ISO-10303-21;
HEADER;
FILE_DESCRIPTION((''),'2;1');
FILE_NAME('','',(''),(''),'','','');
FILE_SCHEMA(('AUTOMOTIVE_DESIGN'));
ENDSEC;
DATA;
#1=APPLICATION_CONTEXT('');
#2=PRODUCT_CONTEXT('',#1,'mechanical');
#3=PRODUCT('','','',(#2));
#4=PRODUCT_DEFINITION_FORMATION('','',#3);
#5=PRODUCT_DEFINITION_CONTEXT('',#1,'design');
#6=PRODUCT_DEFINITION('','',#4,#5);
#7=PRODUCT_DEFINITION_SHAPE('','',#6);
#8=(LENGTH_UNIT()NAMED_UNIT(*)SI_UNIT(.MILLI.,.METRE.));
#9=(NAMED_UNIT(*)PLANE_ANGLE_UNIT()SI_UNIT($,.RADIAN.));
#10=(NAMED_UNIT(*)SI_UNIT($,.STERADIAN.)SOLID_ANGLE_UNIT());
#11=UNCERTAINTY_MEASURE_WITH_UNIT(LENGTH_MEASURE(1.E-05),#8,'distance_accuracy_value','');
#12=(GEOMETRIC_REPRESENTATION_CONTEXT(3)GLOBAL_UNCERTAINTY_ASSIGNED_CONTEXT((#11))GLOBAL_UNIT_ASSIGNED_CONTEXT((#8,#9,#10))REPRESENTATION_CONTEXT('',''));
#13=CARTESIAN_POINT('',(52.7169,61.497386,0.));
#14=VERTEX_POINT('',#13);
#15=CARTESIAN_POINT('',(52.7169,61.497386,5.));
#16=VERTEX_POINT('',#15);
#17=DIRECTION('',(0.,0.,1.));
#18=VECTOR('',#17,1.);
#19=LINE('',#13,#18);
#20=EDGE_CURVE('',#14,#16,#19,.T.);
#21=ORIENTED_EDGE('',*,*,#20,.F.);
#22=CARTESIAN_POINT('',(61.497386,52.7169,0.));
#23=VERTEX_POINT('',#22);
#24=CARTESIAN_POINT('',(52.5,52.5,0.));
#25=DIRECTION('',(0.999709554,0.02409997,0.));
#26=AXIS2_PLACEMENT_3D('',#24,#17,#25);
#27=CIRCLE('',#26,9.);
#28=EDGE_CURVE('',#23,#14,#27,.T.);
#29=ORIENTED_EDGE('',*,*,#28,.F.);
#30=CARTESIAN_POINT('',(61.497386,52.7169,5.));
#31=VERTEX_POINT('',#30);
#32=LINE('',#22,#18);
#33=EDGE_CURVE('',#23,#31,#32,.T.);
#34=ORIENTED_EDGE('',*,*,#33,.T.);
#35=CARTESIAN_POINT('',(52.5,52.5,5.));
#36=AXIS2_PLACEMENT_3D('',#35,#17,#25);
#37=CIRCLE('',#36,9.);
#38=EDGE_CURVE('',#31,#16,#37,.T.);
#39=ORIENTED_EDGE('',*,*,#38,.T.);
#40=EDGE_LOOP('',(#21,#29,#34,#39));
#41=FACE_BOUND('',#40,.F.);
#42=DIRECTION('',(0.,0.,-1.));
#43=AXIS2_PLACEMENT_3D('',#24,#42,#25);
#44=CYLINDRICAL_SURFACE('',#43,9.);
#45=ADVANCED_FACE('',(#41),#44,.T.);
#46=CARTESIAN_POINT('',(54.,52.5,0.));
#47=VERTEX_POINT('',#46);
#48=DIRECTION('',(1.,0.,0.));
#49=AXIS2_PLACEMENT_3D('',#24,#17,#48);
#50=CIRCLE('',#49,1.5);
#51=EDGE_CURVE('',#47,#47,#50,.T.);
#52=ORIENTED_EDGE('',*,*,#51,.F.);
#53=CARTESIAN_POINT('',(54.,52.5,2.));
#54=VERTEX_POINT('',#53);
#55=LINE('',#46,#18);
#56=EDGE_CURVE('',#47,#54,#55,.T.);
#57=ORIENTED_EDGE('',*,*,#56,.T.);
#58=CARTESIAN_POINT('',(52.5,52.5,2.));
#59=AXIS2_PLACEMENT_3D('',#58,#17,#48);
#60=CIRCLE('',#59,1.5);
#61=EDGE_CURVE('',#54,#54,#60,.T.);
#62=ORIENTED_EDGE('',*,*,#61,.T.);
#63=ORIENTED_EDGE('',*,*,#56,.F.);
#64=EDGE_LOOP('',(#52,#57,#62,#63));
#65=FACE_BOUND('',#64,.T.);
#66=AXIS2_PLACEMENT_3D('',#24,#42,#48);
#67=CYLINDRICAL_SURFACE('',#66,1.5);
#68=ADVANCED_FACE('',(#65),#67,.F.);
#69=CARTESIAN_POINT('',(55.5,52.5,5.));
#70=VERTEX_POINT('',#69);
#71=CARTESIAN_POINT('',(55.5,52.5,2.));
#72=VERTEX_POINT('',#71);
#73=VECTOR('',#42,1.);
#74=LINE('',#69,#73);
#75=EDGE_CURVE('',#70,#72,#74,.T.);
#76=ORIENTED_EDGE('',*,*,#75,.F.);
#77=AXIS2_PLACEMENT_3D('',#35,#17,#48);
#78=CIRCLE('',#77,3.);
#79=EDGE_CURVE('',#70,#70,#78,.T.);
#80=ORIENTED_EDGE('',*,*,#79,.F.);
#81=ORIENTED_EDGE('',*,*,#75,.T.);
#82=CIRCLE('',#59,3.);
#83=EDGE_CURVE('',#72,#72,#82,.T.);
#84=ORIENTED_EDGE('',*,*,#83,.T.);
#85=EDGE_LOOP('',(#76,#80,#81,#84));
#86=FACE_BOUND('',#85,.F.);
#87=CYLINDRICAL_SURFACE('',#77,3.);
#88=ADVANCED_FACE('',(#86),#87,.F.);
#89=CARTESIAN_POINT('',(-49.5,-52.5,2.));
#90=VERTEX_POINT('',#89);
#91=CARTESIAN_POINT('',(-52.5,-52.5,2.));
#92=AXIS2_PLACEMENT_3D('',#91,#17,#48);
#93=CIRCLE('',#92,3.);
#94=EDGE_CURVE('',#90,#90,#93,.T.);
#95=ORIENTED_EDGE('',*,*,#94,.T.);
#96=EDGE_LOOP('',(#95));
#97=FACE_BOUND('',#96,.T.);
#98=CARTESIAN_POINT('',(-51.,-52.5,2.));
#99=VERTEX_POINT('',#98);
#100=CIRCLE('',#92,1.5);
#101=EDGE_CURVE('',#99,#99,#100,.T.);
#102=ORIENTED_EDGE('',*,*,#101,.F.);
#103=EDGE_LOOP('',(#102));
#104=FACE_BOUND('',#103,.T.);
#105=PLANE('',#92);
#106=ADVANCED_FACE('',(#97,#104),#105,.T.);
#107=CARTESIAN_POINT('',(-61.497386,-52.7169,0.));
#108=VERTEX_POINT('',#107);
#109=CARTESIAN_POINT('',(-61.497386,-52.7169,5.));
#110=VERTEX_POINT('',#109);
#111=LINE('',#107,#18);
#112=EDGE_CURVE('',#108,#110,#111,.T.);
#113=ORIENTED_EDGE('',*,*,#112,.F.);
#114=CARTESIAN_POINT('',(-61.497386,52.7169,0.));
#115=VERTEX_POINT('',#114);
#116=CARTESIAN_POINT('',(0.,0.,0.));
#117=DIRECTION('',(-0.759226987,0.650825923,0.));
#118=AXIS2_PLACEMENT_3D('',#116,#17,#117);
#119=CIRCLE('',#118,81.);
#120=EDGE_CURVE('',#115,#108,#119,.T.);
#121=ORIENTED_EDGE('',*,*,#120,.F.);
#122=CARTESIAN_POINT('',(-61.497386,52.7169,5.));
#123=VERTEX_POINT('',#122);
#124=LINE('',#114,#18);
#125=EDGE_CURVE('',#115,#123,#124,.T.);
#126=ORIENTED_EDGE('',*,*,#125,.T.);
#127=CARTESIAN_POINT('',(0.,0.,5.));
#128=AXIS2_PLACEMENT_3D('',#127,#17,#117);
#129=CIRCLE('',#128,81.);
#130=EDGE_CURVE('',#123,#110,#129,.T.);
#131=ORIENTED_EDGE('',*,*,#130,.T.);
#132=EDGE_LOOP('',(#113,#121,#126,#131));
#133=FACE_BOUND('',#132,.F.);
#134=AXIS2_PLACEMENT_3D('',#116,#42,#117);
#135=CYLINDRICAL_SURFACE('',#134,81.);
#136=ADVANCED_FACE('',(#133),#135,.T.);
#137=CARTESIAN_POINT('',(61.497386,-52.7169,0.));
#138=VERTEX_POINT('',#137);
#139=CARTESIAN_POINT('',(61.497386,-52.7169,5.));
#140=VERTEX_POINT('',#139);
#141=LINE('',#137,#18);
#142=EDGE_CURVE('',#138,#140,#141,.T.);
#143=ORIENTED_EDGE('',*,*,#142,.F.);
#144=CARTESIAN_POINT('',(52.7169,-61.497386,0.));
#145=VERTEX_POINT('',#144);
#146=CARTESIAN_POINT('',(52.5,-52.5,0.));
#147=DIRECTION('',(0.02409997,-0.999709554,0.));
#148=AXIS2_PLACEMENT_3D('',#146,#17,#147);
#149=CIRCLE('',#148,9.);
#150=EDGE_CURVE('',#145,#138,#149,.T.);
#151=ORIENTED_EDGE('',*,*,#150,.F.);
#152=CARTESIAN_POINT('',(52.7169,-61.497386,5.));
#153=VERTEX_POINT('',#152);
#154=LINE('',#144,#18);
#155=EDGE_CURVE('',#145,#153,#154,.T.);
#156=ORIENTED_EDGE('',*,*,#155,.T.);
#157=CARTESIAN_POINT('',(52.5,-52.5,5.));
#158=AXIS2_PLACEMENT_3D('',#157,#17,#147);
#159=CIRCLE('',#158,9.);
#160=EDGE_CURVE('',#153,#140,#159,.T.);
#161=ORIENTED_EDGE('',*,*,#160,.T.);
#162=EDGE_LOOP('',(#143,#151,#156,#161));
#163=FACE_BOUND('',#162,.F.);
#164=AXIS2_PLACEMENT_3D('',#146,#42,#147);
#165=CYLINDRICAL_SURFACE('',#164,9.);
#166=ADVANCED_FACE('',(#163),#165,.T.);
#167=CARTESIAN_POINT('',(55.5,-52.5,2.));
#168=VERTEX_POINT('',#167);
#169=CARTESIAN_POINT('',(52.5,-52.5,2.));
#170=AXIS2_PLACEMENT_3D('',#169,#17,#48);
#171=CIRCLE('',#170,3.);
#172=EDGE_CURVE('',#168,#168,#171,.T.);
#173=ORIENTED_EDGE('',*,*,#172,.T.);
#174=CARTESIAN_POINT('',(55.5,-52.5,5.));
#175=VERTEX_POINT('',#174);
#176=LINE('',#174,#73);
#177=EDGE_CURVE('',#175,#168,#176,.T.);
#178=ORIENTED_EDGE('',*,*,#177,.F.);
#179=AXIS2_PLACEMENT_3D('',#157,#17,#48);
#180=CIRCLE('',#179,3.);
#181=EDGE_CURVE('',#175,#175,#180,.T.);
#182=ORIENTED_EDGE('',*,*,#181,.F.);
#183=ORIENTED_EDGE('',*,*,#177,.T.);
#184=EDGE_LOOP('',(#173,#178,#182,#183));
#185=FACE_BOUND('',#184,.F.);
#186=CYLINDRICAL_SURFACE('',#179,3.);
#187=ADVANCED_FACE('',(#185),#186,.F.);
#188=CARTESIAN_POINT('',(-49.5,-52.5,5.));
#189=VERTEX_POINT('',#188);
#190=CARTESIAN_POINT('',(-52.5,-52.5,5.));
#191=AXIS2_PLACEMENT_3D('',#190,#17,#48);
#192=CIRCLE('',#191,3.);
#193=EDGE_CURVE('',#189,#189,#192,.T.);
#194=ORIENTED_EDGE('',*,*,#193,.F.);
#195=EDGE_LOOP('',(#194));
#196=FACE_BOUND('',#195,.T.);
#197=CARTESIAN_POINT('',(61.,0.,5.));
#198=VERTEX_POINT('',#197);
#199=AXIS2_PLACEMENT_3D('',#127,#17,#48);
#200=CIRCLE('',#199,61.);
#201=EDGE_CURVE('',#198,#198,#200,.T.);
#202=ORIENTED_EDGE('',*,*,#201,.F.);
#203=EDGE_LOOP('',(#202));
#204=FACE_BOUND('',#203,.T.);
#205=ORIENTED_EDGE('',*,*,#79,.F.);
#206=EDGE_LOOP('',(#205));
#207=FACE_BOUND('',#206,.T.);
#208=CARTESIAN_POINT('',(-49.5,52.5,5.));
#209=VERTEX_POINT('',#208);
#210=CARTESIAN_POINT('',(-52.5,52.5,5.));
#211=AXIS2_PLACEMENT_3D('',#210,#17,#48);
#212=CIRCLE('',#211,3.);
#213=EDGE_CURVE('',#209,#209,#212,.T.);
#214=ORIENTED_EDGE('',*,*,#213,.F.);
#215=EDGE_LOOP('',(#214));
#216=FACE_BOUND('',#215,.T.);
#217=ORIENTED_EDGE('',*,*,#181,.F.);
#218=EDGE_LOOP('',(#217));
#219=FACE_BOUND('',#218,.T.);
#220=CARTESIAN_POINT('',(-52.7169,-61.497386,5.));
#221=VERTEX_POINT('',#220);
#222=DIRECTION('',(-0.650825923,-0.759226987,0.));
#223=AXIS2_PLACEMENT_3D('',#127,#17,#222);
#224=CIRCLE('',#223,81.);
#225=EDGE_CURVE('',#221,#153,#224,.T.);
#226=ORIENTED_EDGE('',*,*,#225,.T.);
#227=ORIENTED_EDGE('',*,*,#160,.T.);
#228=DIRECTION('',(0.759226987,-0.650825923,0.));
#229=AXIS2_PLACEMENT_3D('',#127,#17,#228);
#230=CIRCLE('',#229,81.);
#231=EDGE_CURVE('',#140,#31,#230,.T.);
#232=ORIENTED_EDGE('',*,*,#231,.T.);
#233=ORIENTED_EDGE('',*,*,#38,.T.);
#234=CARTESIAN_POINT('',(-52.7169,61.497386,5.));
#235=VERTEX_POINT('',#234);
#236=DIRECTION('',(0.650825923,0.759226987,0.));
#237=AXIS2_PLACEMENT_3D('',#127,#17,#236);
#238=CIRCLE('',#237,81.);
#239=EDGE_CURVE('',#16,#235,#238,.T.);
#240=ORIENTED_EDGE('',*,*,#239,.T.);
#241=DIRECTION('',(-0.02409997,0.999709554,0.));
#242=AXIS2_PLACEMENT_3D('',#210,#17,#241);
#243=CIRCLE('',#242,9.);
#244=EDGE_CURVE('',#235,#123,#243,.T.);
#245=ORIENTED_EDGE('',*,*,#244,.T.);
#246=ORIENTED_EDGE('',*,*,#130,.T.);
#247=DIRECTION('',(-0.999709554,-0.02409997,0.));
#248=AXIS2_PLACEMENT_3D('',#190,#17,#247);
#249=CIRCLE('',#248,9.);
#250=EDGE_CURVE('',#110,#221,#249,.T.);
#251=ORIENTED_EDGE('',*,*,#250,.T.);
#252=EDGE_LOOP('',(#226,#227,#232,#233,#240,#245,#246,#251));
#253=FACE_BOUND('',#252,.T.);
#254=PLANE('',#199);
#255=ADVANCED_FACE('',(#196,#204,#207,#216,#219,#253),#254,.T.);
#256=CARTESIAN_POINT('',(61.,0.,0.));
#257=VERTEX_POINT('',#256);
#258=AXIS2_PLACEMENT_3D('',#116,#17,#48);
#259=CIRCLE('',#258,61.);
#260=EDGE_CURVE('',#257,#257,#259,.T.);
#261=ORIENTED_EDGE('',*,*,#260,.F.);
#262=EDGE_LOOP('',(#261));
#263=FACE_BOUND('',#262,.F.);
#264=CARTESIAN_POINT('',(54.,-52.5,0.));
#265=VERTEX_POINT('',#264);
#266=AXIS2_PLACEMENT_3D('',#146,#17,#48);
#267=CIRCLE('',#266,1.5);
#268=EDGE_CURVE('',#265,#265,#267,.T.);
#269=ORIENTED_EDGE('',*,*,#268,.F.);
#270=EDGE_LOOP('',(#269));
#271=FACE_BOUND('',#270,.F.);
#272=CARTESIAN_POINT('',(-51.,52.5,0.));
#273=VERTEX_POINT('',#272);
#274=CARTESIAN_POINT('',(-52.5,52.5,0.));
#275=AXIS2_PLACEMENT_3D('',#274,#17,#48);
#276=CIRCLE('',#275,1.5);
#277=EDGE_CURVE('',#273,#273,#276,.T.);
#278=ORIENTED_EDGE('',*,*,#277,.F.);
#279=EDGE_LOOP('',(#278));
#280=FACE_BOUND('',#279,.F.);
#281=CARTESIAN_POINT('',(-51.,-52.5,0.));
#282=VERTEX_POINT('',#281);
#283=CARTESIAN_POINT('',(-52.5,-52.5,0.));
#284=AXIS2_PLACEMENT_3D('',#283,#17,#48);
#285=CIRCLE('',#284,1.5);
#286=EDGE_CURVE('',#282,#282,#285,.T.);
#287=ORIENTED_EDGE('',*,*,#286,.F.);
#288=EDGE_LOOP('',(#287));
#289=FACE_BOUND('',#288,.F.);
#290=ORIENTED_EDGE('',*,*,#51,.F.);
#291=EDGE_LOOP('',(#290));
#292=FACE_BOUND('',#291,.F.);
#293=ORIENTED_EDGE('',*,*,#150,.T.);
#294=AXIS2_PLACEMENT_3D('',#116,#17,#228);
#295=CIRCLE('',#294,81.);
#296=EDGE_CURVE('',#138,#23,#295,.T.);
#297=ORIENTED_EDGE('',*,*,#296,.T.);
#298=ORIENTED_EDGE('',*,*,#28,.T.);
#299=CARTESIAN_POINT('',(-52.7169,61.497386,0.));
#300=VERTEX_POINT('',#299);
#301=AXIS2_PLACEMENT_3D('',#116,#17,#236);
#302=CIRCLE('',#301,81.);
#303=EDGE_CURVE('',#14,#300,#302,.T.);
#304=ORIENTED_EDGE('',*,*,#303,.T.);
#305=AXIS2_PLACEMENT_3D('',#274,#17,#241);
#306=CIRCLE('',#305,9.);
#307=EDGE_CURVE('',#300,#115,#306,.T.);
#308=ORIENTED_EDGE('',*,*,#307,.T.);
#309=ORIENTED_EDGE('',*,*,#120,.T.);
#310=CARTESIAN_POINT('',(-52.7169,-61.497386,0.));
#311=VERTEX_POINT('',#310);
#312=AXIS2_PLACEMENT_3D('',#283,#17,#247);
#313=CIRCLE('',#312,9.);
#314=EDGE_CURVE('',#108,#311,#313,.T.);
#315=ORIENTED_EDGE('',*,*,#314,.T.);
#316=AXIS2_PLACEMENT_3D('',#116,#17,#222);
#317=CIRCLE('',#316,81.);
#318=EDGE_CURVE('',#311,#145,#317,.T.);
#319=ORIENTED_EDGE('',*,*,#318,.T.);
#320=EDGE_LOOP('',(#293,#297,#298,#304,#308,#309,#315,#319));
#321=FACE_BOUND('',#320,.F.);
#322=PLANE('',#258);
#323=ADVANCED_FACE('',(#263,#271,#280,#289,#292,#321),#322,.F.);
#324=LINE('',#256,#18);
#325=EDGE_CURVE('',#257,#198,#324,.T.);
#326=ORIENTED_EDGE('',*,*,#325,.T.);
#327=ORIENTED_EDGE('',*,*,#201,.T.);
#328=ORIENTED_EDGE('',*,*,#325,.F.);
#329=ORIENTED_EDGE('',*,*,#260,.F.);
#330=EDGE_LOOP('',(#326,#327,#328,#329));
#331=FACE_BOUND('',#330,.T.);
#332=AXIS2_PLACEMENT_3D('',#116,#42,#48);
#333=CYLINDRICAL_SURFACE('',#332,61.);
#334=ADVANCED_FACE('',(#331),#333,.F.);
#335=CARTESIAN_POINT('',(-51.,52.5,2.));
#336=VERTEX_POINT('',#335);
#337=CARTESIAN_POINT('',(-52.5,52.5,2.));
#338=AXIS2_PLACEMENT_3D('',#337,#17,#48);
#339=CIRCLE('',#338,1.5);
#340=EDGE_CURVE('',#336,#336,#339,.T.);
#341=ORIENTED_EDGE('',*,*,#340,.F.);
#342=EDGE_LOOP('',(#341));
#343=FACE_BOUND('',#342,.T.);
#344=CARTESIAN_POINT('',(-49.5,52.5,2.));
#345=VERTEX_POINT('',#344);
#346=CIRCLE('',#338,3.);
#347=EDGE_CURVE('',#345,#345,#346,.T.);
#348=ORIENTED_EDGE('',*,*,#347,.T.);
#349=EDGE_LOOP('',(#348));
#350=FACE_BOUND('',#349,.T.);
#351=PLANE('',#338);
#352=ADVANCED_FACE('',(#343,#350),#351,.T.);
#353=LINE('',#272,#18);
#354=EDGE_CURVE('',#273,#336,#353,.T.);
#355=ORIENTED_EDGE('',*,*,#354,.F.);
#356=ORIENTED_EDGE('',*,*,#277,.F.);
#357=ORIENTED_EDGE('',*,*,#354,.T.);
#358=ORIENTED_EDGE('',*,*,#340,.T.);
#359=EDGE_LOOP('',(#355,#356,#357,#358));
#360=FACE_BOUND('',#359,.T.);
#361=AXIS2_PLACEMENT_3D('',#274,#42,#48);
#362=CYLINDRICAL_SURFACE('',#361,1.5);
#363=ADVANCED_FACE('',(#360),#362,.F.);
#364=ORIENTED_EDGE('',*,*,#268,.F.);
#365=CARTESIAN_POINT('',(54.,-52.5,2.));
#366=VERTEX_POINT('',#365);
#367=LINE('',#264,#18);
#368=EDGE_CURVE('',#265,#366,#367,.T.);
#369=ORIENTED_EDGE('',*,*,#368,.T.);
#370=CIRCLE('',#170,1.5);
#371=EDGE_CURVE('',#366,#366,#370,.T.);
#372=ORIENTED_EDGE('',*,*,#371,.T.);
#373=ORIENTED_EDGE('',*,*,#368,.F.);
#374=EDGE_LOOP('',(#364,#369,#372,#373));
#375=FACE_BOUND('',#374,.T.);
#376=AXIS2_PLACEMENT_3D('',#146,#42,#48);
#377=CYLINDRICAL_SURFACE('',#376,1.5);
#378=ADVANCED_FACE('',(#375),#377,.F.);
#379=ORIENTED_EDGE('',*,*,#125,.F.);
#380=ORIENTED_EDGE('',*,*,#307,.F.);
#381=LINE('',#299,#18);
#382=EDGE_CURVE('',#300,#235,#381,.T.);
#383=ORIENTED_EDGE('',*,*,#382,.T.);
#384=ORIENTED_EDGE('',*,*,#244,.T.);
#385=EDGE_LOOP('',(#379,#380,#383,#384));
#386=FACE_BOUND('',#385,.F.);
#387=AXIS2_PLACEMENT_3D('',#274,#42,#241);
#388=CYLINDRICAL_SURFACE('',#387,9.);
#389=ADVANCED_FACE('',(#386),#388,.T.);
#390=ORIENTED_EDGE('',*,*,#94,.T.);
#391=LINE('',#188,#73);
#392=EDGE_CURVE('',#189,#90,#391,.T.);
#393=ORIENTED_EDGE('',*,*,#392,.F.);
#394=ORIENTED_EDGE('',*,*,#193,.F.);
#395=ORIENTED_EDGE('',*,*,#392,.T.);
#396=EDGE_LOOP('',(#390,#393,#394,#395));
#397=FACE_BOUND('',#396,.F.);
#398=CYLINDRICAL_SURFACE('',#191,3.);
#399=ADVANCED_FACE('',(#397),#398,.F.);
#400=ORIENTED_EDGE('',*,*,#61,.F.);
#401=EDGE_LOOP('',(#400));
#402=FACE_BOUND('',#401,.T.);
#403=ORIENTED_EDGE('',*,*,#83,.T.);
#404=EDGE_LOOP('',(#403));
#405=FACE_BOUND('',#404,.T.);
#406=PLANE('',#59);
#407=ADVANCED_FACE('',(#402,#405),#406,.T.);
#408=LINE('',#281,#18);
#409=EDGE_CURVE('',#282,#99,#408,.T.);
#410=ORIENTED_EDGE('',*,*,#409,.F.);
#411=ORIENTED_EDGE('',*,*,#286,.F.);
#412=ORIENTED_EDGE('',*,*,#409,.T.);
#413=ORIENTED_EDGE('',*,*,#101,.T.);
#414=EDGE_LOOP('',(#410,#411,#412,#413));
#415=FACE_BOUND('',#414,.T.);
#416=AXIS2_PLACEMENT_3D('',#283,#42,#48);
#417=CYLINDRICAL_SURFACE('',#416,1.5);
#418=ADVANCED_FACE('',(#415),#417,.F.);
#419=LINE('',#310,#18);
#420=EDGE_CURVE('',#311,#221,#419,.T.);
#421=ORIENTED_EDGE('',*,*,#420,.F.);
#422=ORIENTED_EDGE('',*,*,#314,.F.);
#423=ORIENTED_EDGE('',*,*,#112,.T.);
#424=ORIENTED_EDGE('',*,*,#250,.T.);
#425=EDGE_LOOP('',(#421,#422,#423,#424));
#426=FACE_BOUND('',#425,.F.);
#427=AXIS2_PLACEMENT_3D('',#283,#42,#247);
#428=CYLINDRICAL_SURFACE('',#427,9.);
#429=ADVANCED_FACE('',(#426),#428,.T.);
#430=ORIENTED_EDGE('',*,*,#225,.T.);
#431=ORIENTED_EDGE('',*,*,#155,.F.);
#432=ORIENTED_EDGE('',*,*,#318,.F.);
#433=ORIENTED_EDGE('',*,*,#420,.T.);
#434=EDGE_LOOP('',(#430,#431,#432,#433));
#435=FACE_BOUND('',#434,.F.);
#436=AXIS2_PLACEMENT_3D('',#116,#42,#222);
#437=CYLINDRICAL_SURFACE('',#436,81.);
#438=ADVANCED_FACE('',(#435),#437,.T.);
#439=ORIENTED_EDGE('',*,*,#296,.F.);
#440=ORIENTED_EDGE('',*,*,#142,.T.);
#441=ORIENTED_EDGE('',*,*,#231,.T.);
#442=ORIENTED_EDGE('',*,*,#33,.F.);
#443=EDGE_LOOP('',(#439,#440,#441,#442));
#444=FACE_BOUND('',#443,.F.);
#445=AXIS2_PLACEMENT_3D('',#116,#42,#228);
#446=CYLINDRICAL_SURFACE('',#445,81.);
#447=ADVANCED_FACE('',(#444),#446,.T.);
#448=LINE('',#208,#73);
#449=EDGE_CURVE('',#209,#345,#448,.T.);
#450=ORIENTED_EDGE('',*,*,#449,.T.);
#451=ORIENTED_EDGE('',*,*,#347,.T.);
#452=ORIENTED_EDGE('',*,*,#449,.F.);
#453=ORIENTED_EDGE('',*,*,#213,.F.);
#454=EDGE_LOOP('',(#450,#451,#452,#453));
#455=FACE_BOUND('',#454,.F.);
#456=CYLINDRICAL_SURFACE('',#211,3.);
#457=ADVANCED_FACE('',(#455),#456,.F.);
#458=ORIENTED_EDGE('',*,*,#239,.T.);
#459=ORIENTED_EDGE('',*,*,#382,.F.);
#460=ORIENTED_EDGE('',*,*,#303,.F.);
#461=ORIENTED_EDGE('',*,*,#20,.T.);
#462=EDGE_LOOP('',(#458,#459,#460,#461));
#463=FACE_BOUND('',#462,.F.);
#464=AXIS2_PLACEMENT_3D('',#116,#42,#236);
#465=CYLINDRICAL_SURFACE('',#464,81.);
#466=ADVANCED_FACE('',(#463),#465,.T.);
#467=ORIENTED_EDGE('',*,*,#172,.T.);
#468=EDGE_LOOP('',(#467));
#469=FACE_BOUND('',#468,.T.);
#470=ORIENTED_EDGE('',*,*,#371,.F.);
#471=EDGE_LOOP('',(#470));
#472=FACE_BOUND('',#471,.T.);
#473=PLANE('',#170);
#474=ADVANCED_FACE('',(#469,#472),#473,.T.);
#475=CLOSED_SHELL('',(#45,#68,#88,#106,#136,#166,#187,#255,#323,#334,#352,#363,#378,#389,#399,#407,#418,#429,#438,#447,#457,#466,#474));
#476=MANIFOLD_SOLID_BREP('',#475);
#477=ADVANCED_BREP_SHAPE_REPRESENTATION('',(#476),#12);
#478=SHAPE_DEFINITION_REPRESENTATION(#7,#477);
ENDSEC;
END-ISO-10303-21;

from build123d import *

# Parameters (mm, degrees)
F2_R     = 1.5
F2_R_2   = 61
F3_DEPTH = 5
F4_R     = 3
F4_R_2   = 1.5
F5_DEPTH = 3


with BuildPart() as f3:
    # F2 (on Top) → F3 (new body)
    with BuildSketch(Plane.XY):
        with BuildLine():
            ThreePointArc((-52.7168997325, 61.4973859818), (-58.8639610307, 58.8639610307), (-61.4973859818, 52.7168997325))
            ThreePointArc((-61.4973859818, 52.7168997325), (-81, 0), (-61.4973859818, -52.7168997325))
            ThreePointArc((-61.4973859818, -52.7168997325), (-58.8639610307, -58.8639610307), (-52.7168997325, -61.4973859818))
            ThreePointArc((-52.7168997325, -61.4973859818), (0, -81), (52.7168997325, -61.4973859818))
            ThreePointArc((52.7168997325, -61.4973859818), (58.8639610307, -58.8639610307), (61.4973859818, -52.7168997325))
            ThreePointArc((61.4973859818, -52.7168997325), (81, 0), (61.4973859818, 52.7168997325))
            ThreePointArc((61.4973859818, 52.7168997325), (58.8639610307, 58.8639610307), (52.7168997325, 61.4973859818))
            ThreePointArc((52.7168997325, 61.4973859818), (0, 81), (-52.7168997325, 61.4973859818))
        make_face()
        with Locations((-52.5, -52.5)):
            Circle(F2_R, mode=Mode.SUBTRACT)
        with Locations((52.5, -52.5)):
            Circle(F2_R, mode=Mode.SUBTRACT)
        Circle(F2_R_2, mode=Mode.SUBTRACT)
        with Locations((-52.5, 52.5)):
            Circle(F2_R, mode=Mode.SUBTRACT)
        with Locations((52.5, 52.5)):
            Circle(F2_R, mode=Mode.SUBTRACT)
    extrude(amount=F3_DEPTH)

    # F4 (on face) → F5 (cut)
    with BuildSketch(Plane.XY.offset(5)):
        with Locations((-52.5, 52.5)):
            Circle(F4_R)
        with Locations((-52.5, 52.5)):
            Circle(F4_R_2, mode=Mode.SUBTRACT)
        with Locations((52.5, 52.5)):
            Circle(F4_R)
        with Locations((52.5, 52.5)):
            Circle(F4_R_2, mode=Mode.SUBTRACT)
        with Locations((-52.5, -52.5)):
            Circle(F4_R)
        with Locations((-52.5, -52.5)):
            Circle(F4_R_2, mode=Mode.SUBTRACT)
        with Locations((52.5, -52.5)):
            Circle(F4_R)
        with Locations((52.5, -52.5)):
            Circle(F4_R_2, mode=Mode.SUBTRACT)
    extrude(amount=-F5_DEPTH, mode=Mode.SUBTRACT)


solid = f3.part
